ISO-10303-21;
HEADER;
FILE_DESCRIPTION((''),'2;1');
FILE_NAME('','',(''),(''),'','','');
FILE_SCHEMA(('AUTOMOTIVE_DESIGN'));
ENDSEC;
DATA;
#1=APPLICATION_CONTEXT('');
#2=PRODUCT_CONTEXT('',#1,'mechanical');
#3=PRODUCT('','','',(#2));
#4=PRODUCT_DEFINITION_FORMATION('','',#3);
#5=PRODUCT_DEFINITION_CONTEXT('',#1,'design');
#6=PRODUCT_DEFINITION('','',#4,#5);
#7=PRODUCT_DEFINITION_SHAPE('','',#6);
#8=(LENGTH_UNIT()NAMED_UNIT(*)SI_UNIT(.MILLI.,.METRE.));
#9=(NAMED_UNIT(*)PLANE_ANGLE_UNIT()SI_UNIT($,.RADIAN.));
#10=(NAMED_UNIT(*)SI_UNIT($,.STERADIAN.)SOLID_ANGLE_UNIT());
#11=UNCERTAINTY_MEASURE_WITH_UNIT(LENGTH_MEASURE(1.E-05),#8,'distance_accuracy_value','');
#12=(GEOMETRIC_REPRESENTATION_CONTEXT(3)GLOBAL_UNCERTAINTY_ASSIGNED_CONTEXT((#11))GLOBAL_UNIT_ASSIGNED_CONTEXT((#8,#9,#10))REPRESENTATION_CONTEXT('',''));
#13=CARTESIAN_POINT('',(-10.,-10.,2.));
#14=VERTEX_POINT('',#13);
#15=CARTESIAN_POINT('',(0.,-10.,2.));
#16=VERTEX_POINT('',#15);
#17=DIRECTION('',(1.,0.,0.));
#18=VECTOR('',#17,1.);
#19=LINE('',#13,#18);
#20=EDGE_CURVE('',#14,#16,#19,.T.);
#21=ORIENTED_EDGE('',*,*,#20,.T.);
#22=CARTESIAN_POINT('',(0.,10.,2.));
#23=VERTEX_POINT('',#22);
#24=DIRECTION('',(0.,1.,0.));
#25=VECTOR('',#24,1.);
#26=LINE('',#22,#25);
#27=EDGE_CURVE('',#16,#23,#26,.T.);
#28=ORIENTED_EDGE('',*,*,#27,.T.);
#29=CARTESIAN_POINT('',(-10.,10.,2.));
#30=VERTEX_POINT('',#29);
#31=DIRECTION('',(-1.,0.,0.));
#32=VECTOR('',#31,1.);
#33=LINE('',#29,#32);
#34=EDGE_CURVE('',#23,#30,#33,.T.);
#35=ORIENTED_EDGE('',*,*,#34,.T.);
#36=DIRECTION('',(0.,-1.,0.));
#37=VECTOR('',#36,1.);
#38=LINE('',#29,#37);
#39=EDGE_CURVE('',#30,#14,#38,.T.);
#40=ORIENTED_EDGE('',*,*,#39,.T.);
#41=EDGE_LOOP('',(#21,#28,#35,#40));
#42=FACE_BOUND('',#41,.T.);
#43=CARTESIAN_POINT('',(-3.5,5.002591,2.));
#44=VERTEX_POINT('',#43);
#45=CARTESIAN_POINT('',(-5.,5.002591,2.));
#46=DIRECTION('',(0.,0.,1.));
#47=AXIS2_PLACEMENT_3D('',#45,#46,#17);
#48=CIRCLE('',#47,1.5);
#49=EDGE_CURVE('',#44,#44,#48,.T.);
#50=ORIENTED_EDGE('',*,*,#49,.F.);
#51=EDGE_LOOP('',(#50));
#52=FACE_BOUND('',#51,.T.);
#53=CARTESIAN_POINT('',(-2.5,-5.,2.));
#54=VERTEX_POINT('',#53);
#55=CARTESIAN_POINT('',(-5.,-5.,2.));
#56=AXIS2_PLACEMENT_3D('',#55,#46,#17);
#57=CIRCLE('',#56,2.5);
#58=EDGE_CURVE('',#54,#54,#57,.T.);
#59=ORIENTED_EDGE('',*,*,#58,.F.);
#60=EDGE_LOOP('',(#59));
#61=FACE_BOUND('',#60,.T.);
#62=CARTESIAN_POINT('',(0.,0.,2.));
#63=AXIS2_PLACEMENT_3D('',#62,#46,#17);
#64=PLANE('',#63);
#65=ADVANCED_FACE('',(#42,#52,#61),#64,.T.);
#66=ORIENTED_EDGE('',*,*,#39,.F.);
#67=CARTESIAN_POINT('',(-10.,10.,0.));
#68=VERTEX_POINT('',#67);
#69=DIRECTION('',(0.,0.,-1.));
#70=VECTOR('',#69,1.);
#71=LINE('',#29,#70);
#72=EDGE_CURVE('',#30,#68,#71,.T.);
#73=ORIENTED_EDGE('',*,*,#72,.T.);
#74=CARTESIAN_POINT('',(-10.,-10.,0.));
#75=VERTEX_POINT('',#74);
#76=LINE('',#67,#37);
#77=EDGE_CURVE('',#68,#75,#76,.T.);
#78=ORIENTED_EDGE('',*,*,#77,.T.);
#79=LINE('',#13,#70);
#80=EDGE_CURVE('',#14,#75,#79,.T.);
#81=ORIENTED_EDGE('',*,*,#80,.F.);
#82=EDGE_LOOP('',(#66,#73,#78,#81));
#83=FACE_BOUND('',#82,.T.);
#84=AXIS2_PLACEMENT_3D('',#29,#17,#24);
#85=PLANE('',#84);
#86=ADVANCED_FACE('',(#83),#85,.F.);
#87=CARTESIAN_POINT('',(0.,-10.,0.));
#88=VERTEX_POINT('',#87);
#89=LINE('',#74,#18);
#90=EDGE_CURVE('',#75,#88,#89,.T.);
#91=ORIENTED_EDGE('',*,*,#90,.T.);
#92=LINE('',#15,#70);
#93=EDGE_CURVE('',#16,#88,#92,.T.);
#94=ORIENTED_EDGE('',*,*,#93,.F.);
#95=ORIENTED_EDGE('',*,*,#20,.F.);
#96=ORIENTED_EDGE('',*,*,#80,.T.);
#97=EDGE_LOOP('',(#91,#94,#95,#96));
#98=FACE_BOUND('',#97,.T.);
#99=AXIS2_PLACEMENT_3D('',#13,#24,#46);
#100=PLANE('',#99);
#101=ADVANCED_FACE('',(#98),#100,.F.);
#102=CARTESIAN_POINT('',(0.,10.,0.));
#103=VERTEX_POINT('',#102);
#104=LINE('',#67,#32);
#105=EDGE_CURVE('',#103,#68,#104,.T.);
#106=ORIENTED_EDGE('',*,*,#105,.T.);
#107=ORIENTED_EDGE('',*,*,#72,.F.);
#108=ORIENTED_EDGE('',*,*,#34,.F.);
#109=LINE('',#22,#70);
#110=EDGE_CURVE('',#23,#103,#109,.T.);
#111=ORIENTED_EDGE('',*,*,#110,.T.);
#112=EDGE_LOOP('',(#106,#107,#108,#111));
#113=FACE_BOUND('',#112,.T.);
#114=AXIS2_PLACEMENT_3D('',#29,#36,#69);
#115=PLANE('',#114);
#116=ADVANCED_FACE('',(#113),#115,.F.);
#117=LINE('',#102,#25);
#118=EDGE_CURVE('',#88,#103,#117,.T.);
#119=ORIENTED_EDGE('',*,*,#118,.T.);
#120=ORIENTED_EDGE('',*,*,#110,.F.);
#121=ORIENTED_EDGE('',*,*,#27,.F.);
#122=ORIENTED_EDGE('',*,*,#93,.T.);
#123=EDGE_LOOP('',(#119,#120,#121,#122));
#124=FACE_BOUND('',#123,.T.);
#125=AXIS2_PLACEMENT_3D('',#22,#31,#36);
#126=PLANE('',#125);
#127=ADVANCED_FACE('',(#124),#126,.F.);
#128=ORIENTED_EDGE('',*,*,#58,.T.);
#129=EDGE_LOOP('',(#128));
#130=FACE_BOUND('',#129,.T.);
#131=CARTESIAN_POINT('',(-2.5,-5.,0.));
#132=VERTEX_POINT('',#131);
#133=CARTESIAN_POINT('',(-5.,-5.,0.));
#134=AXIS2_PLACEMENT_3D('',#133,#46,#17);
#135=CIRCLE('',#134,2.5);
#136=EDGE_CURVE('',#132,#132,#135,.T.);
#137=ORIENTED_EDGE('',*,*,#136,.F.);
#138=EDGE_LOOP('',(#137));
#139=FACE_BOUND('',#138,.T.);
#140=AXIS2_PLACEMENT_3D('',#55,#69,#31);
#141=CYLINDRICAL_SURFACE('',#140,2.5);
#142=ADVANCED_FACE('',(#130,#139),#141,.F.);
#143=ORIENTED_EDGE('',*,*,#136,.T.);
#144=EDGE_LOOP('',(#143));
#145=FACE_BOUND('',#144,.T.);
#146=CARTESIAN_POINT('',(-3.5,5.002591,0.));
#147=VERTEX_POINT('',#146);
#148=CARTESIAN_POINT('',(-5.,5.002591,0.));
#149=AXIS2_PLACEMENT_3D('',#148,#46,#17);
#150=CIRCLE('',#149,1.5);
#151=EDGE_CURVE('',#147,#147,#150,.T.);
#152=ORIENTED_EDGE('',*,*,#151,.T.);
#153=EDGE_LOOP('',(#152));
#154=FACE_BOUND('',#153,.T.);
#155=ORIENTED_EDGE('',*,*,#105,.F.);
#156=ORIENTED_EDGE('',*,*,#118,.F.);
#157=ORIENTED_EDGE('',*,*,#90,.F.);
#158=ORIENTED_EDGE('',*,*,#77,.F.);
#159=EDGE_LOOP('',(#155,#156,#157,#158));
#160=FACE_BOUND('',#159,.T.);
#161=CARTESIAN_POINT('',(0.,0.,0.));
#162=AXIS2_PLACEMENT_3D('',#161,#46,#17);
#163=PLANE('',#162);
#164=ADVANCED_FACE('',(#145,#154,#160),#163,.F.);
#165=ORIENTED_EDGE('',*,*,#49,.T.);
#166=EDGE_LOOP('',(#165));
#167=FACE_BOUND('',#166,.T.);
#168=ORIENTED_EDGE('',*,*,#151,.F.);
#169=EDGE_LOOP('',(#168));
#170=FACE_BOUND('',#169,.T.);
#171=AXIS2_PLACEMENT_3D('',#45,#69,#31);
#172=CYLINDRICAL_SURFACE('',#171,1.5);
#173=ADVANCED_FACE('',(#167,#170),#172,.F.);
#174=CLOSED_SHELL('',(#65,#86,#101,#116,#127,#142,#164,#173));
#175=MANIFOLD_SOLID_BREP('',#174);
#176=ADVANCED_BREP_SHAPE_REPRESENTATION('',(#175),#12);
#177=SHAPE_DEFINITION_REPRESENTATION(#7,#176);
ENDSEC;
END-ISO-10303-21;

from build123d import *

# Parameters (mm, degrees)
ESQUISSE1_W        = 10
ESQUISSE1_H        = 20
ESQUISSE1_R        = 1.5
ESQUISSE1_R_2      = 2.5
BOSS_EXTRU_1_DEPTH = 2


with BuildPart() as part:
    # Esquisse1 → Boss.-Extru.1 (new body)
    with BuildSketch(Plane.XY):
        with Locations((-5, 0)):
            Rectangle(ESQUISSE1_W, ESQUISSE1_H)
        with Locations((-5, 5.002591016)):
            Circle(ESQUISSE1_R, mode=Mode.SUBTRACT)
        with Locations((-5, -5)):
            Circle(ESQUISSE1_R_2, mode=Mode.SUBTRACT)
    extrude(amount=BOSS_EXTRU_1_DEPTH)


solid = part.part
